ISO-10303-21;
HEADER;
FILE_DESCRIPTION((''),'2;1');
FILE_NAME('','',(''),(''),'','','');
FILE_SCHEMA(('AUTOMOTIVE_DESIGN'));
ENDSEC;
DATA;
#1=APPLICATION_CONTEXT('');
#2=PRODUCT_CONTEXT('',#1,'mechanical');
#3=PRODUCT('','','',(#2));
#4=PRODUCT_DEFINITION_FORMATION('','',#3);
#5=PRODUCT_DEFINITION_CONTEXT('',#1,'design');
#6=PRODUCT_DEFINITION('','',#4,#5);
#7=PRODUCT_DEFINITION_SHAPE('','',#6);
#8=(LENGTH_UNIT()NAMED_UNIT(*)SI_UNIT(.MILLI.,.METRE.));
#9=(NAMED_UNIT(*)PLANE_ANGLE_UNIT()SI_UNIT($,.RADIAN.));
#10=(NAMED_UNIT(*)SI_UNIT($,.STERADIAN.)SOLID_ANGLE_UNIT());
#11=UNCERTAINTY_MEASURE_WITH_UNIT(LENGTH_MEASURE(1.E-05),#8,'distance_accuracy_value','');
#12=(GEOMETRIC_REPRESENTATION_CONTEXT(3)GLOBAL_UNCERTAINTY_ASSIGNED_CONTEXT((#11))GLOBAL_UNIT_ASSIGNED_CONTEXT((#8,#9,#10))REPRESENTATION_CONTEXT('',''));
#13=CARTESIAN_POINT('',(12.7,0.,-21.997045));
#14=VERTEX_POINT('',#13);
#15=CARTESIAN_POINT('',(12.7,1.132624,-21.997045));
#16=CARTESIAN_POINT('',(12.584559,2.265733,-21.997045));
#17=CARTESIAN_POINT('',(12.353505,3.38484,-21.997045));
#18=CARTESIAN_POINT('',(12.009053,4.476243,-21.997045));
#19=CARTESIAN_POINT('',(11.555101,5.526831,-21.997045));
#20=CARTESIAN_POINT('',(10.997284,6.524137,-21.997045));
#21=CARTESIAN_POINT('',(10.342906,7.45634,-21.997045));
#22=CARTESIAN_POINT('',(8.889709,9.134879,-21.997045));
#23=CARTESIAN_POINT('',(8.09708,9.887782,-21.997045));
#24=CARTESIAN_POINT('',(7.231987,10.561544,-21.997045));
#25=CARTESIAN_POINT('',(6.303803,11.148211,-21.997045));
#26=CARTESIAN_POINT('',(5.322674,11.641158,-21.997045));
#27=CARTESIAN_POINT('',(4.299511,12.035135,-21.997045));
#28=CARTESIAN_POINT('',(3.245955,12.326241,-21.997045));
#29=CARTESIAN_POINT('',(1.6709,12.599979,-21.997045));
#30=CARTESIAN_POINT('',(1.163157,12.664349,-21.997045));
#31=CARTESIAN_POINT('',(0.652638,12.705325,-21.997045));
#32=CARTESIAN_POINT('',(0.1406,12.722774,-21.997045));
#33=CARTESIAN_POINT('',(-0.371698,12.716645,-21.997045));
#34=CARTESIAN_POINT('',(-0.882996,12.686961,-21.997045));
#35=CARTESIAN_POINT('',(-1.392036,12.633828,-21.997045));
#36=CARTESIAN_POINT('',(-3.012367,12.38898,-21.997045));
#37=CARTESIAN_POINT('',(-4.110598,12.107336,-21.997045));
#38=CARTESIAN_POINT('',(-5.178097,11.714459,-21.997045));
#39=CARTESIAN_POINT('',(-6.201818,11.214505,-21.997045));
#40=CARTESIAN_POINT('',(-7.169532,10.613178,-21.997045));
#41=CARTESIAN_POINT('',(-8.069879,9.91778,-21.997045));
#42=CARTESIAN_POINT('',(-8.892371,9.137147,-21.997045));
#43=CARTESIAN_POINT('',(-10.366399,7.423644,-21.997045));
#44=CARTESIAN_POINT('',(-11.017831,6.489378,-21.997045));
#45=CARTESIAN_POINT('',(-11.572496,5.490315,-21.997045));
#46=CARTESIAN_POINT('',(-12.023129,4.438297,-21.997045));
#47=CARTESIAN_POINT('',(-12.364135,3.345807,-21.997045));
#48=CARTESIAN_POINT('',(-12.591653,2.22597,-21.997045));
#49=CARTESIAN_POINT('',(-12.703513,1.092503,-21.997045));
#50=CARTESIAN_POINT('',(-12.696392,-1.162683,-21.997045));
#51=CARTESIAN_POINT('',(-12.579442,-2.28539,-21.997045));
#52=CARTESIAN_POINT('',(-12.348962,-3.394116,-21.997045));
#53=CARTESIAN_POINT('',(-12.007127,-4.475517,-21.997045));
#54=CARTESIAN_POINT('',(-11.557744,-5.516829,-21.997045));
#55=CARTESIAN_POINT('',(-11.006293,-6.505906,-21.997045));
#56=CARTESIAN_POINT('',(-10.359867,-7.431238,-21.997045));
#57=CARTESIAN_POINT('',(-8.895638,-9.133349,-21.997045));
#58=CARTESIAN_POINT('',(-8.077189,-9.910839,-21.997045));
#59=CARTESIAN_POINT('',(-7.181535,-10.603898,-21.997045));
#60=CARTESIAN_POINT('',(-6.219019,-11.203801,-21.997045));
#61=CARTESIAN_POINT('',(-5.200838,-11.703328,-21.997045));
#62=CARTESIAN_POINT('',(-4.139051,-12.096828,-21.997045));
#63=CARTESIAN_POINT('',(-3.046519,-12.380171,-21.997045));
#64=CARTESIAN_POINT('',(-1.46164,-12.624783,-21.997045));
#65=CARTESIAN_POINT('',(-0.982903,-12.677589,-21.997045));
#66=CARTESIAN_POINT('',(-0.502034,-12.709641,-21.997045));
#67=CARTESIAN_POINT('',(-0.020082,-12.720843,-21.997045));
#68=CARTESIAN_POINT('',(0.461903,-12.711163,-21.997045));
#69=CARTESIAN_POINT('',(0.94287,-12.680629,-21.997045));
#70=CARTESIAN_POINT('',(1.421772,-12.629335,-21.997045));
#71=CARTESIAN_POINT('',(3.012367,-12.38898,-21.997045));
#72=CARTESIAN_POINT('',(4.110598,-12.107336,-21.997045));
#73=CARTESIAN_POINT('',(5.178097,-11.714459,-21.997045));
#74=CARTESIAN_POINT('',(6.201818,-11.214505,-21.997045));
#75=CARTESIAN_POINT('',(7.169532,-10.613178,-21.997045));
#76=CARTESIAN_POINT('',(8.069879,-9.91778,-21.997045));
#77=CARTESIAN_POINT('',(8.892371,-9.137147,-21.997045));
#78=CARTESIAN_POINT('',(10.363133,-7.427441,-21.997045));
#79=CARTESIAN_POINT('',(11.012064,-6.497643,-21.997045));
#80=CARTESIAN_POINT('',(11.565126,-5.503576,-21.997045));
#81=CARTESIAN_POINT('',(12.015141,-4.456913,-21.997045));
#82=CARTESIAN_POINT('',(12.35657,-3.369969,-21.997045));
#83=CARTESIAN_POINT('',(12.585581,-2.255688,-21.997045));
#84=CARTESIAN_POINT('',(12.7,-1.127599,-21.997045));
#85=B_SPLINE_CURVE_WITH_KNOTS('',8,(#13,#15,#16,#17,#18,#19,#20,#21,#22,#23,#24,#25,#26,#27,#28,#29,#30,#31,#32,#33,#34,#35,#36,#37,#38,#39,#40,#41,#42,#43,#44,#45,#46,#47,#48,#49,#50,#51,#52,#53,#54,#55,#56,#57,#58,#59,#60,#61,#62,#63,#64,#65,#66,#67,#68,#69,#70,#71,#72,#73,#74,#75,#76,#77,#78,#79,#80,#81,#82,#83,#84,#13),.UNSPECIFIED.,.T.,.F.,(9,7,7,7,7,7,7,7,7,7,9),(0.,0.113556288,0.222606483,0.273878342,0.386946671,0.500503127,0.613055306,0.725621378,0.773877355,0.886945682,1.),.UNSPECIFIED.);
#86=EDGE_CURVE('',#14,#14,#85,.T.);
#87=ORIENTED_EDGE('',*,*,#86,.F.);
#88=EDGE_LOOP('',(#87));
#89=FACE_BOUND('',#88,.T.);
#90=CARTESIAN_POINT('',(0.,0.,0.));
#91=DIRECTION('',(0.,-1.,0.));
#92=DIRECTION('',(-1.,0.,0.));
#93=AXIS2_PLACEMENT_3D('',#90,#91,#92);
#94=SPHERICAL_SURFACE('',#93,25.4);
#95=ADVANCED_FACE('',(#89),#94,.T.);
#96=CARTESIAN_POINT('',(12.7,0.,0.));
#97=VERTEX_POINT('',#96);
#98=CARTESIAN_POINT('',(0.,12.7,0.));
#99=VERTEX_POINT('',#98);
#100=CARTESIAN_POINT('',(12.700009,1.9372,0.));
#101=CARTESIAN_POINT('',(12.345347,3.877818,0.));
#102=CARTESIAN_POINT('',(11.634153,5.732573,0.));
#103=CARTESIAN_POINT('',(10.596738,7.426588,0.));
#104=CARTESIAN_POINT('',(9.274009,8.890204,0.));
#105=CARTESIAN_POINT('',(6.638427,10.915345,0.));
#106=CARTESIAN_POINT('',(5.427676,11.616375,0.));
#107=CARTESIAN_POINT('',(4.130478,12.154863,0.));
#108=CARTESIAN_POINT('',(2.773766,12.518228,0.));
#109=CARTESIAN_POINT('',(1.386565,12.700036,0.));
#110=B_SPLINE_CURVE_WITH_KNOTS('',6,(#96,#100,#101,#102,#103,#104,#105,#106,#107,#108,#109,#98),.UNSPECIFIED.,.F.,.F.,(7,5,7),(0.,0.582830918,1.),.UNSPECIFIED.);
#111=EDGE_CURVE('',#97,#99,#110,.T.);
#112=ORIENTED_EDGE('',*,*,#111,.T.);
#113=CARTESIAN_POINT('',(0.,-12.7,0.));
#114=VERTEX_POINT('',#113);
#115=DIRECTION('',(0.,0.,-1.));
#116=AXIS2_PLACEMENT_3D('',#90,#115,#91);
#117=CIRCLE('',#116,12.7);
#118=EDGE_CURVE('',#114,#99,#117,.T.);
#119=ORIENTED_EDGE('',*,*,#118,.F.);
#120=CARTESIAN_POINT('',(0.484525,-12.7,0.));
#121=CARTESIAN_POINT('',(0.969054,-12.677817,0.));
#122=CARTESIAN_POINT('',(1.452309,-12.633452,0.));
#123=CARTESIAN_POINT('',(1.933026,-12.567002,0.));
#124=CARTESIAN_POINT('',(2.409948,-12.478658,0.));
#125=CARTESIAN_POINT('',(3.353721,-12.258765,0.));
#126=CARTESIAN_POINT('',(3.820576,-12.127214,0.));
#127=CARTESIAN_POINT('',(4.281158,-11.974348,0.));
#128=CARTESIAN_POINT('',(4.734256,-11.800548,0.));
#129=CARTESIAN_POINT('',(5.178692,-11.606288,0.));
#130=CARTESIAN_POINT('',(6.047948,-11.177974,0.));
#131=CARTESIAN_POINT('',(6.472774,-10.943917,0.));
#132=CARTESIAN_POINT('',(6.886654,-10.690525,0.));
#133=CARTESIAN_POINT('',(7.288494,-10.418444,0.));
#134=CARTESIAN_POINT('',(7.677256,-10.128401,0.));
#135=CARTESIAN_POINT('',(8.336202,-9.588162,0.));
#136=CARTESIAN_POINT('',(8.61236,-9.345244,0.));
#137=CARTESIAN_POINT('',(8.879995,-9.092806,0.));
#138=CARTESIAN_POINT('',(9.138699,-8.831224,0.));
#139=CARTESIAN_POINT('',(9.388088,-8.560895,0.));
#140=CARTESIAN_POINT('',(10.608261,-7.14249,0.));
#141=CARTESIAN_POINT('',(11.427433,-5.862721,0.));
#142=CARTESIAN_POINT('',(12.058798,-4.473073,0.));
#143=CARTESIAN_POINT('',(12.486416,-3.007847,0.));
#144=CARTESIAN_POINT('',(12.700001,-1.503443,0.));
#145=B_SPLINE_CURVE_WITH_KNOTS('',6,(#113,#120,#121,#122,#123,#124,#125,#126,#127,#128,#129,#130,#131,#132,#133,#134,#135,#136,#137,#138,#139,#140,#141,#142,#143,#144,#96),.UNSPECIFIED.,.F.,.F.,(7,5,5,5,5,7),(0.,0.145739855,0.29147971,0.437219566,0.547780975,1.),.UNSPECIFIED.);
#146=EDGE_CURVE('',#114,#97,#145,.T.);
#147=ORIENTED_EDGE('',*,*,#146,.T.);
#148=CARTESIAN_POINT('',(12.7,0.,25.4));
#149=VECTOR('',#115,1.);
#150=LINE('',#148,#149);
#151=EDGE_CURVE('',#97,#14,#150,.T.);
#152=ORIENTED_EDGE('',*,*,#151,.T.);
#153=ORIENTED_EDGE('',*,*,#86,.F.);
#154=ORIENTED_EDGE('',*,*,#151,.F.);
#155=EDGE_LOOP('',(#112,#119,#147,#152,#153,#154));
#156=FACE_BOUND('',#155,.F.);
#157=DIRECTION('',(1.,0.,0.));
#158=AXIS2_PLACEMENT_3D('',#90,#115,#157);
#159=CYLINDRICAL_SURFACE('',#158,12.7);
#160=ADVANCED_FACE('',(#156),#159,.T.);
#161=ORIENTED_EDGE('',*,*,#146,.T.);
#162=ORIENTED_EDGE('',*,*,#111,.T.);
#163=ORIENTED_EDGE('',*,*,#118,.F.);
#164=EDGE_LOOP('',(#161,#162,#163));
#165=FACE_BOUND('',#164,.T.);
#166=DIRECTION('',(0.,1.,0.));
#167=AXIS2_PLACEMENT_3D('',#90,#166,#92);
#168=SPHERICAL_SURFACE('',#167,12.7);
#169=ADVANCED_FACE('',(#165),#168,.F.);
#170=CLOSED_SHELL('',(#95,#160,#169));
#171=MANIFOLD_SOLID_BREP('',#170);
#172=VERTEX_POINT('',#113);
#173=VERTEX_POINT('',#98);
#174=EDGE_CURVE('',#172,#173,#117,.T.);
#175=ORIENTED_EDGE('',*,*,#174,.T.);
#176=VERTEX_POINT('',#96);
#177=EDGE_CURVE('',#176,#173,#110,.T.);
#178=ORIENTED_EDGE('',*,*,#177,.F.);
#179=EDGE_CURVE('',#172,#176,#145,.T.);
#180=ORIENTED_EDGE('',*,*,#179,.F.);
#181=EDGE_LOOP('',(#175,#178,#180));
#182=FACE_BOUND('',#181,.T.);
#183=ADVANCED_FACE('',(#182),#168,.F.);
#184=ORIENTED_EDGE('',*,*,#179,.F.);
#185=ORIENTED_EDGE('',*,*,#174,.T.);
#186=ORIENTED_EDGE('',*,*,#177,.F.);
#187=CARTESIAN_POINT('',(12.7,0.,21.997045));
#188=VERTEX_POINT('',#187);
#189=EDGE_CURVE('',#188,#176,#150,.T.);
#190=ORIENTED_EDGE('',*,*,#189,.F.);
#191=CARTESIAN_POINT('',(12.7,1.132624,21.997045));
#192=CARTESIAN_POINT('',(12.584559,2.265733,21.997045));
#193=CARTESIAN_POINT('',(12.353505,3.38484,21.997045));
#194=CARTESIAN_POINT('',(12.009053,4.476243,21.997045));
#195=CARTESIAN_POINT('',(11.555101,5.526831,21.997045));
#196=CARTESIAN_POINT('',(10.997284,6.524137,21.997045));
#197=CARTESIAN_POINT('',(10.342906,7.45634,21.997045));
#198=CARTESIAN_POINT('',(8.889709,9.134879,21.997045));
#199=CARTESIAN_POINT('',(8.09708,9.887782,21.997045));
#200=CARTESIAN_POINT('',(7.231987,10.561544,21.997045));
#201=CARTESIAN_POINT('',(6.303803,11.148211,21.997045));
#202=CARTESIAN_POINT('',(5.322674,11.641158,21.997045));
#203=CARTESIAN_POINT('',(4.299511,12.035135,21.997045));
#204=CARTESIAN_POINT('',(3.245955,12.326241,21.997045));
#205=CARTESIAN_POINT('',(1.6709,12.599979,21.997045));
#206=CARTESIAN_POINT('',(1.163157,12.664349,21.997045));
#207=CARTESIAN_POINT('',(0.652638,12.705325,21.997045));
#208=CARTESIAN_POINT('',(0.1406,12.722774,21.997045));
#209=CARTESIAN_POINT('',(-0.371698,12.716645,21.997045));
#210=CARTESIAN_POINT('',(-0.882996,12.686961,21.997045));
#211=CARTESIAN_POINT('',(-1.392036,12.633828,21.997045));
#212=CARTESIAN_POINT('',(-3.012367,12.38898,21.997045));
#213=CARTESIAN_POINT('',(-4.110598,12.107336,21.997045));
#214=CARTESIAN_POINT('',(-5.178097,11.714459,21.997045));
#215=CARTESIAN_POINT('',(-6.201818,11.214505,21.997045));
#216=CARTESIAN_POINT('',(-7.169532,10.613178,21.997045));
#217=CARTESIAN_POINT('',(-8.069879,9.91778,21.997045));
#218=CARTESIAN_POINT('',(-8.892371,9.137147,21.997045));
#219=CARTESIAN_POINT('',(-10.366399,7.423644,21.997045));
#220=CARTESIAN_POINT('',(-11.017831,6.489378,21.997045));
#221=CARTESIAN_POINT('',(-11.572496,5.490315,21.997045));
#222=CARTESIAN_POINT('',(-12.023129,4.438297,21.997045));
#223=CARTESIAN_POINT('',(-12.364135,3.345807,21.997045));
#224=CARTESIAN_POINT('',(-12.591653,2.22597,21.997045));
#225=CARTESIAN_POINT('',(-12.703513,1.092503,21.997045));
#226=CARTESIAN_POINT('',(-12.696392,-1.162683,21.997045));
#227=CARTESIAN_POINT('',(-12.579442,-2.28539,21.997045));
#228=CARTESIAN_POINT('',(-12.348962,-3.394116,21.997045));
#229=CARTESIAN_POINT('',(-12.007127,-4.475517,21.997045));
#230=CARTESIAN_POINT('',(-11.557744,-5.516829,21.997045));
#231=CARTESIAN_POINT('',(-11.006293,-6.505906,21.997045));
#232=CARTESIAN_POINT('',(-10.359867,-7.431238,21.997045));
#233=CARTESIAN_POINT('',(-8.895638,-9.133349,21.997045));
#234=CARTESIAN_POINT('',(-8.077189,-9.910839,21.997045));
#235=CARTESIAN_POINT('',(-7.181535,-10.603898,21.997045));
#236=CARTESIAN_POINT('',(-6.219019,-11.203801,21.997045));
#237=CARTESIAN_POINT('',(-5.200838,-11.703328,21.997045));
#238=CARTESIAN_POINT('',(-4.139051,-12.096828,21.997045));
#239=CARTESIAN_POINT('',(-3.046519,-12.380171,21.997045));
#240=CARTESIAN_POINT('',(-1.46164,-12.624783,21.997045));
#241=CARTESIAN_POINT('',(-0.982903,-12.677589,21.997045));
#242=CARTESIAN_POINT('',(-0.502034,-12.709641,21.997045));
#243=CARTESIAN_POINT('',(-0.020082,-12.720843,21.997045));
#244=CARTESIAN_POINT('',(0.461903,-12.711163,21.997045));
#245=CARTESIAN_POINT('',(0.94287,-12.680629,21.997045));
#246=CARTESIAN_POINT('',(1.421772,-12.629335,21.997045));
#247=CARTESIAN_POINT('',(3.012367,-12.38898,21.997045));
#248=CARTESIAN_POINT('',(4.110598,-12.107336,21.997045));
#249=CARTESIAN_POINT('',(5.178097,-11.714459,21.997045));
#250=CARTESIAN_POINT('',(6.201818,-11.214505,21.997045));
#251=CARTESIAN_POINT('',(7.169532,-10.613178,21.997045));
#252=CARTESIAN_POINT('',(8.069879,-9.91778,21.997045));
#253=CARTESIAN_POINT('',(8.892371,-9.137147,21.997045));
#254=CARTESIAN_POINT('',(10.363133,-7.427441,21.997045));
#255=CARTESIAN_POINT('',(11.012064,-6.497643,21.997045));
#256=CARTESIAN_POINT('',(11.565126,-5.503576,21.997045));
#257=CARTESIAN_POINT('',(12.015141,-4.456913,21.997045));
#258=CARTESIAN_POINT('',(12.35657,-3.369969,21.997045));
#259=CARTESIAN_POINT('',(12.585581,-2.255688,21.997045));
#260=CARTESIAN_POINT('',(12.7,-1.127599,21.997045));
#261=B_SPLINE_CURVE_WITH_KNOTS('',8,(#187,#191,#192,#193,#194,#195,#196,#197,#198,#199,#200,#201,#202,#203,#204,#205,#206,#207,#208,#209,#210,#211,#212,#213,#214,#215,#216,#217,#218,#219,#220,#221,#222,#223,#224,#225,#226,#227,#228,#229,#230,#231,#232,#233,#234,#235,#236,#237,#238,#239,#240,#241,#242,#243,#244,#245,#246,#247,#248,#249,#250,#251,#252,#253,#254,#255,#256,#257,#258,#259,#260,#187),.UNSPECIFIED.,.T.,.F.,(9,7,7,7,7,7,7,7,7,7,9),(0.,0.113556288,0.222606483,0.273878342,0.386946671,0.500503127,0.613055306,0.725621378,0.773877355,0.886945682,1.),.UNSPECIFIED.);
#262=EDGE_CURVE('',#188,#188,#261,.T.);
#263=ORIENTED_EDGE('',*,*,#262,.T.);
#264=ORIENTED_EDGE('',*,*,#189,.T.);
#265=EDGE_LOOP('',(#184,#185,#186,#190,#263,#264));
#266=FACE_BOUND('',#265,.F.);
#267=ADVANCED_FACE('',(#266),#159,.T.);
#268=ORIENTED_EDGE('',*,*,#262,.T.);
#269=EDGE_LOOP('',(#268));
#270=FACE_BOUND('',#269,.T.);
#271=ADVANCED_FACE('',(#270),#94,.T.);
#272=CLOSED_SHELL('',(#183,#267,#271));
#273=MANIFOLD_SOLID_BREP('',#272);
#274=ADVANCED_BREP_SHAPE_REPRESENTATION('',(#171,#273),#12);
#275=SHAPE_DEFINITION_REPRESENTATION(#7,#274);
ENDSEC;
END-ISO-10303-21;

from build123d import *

# Parameters (mm, degrees)
F2_R     = 25.4
F2_R_2   = 12.7
F3_DEPTH = 25.4


with BuildPart() as f1:
    # F0 (on Top) → F1 (revolve)
    with BuildSketch(Plane.XY):
        with BuildLine():
            ThreePointArc((0, -12.7), (-12.7, 0), (0, 12.7))
            Line((0, 12.7), (0, 25.4))
            ThreePointArc((0, 25.4), (-25.4, 0), (0, -25.4))
            Line((0, -25.4), (0, -12.7))
        make_face()
    revolve(axis=Axis((0, -19.05, 0), (0, -1, 0)))

    # F2 (on Top) → F3 (cut, symmetric)
    with BuildSketch(Plane.XY):
        Circle(F2_R)
        Circle(F2_R_2, mode=Mode.SUBTRACT)
    extrude(amount=F3_DEPTH, both=True, mode=Mode.SUBTRACT)


solid = f1.part
